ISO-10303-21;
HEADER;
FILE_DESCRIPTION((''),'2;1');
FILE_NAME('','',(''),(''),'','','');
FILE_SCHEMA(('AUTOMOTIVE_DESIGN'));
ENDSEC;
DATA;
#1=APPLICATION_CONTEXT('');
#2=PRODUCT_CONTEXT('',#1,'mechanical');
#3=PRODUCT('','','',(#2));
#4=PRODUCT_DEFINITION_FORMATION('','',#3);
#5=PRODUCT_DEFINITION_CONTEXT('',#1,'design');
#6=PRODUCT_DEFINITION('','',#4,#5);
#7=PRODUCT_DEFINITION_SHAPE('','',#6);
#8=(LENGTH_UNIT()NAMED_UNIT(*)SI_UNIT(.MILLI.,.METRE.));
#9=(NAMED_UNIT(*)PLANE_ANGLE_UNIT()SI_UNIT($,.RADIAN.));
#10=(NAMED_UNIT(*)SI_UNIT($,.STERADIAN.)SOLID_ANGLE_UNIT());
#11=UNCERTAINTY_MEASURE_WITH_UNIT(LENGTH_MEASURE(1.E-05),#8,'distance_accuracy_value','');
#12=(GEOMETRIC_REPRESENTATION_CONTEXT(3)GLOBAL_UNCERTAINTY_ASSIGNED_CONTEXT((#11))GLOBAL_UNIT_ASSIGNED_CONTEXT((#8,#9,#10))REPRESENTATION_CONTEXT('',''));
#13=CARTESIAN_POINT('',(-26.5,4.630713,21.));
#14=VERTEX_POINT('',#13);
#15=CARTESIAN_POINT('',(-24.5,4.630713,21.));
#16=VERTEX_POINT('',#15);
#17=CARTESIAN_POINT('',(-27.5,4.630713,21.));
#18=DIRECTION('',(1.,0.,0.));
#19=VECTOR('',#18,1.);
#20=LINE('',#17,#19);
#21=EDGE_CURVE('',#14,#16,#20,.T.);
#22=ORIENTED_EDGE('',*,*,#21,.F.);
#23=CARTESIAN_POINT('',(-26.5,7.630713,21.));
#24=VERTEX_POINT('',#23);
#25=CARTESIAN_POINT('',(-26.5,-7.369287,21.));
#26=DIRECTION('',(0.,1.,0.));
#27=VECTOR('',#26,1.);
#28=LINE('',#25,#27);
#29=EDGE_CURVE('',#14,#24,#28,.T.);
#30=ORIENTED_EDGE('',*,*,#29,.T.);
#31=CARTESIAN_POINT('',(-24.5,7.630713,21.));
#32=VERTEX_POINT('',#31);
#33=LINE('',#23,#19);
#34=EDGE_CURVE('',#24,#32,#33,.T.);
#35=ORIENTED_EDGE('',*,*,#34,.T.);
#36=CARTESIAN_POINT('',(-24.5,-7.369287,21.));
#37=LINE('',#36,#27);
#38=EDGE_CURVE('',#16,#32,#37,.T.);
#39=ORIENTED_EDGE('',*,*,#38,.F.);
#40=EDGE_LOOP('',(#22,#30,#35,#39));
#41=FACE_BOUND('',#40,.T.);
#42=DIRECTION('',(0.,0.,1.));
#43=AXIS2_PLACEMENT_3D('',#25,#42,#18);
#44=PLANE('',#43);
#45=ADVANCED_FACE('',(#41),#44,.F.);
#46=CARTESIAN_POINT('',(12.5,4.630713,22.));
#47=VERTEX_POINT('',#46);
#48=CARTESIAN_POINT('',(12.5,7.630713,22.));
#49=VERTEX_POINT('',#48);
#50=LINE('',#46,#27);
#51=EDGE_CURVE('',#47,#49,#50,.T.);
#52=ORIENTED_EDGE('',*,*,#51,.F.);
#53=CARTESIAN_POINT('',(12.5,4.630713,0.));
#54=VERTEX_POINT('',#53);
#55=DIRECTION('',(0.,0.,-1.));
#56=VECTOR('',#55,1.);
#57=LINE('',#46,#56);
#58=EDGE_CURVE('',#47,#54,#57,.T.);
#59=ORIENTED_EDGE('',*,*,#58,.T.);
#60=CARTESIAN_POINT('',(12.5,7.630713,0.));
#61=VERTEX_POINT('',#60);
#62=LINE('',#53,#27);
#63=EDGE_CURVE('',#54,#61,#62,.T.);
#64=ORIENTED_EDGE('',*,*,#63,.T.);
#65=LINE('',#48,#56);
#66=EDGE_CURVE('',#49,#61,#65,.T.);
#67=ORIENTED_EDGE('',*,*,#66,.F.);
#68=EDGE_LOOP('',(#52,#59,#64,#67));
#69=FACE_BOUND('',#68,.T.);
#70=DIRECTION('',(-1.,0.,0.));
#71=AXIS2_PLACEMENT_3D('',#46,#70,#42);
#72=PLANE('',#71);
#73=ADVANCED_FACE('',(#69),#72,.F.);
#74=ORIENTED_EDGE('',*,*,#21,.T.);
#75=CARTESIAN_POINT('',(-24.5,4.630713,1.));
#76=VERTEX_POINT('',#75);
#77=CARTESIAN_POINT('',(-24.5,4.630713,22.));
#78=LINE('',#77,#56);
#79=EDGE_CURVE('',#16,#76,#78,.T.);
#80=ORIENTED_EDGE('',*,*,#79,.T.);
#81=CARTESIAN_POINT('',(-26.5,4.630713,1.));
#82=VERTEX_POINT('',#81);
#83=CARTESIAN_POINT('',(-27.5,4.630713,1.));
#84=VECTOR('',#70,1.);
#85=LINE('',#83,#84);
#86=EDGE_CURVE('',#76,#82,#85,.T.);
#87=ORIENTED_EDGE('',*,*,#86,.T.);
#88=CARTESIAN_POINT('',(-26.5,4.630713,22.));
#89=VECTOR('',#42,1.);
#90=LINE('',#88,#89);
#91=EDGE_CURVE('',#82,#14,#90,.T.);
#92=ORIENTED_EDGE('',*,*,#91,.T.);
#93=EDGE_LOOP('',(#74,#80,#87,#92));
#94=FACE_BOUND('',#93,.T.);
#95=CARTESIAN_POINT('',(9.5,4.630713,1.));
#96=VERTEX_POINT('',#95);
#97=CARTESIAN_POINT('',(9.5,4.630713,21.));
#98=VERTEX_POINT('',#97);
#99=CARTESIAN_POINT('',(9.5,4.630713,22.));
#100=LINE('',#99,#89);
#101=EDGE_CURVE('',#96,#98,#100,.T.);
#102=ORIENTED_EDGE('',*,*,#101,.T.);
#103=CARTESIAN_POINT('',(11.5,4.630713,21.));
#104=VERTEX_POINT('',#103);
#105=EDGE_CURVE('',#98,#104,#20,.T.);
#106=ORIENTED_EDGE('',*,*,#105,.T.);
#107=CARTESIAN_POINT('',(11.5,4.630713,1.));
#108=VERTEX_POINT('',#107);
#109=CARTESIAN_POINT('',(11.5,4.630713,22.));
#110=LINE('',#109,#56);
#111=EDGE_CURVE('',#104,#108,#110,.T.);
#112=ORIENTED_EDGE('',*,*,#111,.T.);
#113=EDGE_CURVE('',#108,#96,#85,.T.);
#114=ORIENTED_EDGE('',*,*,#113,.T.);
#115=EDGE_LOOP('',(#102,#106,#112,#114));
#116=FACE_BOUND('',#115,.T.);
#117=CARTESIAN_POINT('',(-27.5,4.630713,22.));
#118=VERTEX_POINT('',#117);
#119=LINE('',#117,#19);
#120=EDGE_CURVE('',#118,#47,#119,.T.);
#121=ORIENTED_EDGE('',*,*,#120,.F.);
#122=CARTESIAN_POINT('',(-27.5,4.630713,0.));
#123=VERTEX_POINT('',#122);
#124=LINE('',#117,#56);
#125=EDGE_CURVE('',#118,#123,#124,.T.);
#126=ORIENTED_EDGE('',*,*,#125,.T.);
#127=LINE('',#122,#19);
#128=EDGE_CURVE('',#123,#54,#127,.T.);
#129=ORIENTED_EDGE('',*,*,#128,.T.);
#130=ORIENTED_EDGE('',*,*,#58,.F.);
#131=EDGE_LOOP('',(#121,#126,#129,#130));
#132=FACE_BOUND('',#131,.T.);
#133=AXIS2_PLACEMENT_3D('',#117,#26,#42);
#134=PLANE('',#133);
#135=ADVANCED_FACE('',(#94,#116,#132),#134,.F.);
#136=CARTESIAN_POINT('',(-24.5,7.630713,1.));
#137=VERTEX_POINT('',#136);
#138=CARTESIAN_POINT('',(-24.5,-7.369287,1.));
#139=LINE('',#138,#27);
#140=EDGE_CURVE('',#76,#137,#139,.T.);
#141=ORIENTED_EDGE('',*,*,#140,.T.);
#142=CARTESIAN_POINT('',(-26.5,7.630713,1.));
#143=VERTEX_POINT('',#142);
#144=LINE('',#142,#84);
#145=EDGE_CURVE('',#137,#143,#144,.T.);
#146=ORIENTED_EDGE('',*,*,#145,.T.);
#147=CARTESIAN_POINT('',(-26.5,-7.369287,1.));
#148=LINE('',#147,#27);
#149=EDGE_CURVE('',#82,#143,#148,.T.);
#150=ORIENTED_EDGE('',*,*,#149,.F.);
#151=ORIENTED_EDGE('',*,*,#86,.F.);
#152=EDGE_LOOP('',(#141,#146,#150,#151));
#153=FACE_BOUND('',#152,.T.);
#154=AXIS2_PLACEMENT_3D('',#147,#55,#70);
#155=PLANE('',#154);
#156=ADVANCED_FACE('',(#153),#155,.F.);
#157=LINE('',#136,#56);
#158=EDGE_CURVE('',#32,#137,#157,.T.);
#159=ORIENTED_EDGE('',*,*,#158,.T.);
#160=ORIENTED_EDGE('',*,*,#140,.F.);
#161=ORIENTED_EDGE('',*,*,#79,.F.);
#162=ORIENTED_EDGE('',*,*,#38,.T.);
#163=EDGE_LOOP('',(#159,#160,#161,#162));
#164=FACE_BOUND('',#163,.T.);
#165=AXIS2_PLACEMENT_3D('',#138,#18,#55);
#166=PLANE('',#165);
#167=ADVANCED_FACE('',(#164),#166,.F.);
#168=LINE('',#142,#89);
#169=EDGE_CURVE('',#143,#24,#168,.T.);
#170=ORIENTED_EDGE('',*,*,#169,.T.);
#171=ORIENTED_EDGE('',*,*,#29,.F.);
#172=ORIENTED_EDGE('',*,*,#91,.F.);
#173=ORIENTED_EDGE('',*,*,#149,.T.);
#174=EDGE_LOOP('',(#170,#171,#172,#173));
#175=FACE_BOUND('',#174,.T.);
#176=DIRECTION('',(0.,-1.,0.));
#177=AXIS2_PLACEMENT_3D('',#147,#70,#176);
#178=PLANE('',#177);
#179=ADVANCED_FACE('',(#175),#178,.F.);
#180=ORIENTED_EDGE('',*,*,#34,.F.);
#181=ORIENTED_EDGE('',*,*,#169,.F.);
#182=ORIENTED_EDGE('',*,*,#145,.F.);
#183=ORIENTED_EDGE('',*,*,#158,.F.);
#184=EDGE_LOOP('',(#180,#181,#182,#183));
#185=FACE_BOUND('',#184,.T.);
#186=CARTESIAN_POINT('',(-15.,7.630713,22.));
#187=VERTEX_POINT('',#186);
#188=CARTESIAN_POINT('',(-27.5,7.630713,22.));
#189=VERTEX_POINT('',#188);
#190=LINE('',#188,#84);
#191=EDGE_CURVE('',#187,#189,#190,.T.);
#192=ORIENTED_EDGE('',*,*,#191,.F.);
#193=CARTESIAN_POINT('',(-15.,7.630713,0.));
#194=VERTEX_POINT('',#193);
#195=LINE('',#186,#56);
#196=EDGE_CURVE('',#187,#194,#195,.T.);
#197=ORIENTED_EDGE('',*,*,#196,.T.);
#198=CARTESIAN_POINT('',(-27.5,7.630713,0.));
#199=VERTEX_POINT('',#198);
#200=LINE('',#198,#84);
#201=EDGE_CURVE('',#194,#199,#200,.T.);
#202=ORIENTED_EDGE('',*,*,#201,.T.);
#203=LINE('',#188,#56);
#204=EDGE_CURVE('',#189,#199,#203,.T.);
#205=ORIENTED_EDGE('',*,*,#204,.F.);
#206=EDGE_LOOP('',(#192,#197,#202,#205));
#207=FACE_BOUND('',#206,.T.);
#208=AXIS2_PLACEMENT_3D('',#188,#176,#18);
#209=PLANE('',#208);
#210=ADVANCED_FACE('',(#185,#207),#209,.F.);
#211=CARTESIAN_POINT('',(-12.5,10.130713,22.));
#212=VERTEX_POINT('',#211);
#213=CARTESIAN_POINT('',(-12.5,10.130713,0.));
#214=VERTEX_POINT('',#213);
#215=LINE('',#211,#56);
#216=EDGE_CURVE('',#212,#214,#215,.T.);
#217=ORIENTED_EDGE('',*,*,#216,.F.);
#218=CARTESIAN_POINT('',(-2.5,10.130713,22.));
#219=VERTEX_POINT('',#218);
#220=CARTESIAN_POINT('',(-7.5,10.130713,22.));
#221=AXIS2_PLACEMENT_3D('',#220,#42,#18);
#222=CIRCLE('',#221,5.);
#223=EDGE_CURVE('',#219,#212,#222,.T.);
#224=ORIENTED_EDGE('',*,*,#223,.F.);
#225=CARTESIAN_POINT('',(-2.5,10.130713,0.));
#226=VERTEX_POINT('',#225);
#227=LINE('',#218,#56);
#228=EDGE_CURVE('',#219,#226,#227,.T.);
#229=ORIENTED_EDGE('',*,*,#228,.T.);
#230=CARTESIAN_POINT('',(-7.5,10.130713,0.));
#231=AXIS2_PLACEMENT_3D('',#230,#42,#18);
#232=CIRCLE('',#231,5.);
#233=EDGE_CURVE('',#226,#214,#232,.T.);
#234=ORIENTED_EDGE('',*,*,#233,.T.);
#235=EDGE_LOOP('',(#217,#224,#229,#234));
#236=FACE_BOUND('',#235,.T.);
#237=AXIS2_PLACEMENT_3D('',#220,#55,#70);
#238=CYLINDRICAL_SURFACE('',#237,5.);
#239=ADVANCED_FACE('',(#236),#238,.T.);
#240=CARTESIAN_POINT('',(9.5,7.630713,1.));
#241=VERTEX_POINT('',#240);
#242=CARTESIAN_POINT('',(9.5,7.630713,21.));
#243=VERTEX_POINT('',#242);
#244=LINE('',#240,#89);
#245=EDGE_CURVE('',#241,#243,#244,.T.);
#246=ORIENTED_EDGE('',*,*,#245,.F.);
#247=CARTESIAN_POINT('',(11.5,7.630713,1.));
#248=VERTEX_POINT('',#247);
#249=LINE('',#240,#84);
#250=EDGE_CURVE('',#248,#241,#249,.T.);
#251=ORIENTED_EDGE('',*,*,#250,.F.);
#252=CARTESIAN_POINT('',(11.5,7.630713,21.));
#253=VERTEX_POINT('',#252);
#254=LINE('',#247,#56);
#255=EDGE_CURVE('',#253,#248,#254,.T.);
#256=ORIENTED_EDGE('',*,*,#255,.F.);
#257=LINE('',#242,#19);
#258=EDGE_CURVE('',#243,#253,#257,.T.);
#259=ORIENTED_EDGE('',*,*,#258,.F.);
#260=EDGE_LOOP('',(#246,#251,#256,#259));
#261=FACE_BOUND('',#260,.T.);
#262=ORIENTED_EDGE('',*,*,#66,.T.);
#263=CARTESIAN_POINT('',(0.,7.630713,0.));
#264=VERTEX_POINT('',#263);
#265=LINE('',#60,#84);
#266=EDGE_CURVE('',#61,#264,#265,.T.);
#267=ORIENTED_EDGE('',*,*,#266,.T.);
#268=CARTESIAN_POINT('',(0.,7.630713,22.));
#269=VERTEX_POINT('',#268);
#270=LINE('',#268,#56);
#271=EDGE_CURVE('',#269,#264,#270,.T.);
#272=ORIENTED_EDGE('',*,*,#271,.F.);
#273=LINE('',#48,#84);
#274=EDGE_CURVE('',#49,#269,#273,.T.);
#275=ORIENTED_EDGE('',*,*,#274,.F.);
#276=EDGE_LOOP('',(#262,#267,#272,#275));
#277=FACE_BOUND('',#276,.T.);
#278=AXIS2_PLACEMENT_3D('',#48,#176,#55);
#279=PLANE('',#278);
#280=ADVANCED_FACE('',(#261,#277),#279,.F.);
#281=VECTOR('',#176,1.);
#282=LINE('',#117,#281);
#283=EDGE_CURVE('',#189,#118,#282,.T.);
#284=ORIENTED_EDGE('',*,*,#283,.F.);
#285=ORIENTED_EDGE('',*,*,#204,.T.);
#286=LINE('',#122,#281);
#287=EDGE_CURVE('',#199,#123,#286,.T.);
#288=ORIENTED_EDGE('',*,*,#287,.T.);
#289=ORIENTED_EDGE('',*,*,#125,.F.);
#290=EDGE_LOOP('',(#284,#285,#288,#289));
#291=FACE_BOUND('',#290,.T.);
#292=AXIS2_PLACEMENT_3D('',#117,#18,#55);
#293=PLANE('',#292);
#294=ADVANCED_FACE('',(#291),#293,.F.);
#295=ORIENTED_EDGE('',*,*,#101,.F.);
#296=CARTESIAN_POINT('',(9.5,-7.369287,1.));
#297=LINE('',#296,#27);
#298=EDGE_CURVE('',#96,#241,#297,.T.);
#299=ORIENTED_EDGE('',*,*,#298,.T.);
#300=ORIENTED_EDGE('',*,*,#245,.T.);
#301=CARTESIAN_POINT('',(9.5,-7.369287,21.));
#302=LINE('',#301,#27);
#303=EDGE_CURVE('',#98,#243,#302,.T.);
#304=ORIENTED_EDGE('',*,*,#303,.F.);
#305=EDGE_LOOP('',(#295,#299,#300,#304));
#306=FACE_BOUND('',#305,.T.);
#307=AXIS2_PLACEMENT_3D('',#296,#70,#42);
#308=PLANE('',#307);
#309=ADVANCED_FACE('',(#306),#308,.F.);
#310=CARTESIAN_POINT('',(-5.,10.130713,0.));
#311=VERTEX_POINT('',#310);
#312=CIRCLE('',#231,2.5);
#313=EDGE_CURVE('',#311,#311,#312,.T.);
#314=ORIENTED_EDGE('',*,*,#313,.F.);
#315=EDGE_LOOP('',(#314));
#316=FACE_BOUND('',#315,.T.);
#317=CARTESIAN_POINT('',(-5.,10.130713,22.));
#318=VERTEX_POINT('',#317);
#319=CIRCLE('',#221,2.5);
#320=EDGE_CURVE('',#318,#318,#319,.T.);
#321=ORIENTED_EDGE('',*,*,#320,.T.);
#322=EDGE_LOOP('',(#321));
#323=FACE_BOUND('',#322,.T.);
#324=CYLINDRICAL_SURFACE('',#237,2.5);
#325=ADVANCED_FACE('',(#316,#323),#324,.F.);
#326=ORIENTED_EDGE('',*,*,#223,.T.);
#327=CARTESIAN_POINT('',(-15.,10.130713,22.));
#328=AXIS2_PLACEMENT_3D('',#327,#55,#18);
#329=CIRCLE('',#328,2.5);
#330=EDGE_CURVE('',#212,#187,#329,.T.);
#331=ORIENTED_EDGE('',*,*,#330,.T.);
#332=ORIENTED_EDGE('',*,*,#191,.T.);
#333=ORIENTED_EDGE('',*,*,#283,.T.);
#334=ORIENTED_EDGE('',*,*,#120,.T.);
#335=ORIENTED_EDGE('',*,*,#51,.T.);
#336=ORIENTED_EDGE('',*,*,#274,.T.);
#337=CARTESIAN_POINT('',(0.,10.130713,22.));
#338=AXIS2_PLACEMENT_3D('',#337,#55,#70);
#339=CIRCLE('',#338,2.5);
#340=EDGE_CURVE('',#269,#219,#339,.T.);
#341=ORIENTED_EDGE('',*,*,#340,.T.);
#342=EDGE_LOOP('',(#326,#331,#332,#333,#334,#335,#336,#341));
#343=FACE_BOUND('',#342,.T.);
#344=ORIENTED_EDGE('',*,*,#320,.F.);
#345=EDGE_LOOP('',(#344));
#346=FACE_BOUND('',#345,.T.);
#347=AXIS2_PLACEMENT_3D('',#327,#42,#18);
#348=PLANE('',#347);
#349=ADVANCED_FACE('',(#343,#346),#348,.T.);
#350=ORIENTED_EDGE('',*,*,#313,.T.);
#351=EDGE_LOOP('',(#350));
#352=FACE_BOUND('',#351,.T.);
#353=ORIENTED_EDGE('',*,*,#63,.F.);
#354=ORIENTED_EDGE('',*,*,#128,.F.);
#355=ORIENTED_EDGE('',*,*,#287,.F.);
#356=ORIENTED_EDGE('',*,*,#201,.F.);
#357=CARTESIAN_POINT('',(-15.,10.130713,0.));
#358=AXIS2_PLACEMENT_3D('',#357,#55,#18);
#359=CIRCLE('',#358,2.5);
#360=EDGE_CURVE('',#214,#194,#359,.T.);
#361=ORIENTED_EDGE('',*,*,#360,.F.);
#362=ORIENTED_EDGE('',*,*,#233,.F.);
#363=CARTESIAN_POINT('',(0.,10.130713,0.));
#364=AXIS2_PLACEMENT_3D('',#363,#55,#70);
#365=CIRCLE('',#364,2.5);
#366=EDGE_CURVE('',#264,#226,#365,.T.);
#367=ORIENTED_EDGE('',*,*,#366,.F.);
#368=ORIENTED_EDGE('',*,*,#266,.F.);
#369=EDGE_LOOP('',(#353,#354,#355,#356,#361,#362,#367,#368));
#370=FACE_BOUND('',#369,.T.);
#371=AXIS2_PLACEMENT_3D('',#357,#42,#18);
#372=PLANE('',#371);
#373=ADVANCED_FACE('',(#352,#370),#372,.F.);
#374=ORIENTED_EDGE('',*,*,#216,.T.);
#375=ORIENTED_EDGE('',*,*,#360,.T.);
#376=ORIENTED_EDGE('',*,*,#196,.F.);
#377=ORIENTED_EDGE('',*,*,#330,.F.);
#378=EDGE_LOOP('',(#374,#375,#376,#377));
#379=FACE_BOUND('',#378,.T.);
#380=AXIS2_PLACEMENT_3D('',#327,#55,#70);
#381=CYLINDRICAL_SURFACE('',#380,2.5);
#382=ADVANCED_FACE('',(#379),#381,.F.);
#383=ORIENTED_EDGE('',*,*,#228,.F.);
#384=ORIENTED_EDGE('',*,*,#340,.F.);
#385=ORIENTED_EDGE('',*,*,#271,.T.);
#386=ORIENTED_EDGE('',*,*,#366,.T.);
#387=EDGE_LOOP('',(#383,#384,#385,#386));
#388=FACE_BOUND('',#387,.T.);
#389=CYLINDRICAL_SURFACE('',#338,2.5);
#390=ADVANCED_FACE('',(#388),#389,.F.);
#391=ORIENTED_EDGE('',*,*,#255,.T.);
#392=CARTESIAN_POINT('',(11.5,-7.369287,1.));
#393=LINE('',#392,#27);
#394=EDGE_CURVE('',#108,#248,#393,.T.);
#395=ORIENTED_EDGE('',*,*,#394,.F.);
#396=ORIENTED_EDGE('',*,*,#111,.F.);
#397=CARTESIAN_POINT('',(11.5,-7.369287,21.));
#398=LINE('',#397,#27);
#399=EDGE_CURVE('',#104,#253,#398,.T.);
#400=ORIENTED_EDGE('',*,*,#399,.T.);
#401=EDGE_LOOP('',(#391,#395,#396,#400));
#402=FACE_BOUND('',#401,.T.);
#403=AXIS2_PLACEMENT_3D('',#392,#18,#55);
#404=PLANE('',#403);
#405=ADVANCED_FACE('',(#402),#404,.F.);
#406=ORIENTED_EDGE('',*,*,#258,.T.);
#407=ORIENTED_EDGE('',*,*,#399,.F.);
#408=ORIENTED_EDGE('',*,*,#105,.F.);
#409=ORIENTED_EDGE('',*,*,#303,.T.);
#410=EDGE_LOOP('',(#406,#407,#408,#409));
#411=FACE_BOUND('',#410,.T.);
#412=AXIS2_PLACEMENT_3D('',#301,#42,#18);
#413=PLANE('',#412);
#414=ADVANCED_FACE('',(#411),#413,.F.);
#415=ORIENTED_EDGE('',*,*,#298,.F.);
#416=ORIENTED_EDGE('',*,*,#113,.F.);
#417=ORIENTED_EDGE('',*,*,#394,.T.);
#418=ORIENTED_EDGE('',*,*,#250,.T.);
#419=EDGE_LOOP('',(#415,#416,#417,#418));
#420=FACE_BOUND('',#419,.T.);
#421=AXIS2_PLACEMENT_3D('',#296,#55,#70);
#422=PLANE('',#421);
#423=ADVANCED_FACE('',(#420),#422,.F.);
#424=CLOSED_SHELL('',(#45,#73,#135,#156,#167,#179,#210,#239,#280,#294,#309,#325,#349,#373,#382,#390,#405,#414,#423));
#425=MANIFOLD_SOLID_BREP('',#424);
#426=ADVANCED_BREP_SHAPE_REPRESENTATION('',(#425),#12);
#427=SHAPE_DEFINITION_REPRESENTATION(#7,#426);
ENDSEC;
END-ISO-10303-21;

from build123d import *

# Parameters (mm, degrees)
SKETCH1_R           = 2.5
BOSS_EXTRUDE1_DEPTH = 22
SKETCH3_W           = 2
SKETCH3_H           = 20
CUT_EXTRUDE1_DEPTH  = 15


with BuildPart() as part:
    # Sketch1 → Boss-Extrude1 (new body)
    with BuildSketch(Plane.XY):
        with BuildLine():
            Line((-27.5, 4.630713194), (12.5, 4.630713194))
            Line((12.5, 4.630713194), (12.5, 7.630713194))
            Line((12.5, 7.630713194), (0, 7.630713194))
            ThreePointArc((0, 7.630713194), (-1.767766953, 8.362946241), (-2.5, 10.130713194))
            ThreePointArc((-2.5, 10.130713194), (-7.5, 15.130713194), (-12.5, 10.130713194))
            ThreePointArc((-12.5, 10.130713194), (-13.232233047, 8.362946241), (-15, 7.630713194))
            Line((-15, 7.630713194), (-27.5, 7.630713194))
            Line((-27.5, 7.630713194), (-27.5, 4.630713194))
        make_face()
        with Locations((-7.5, 10.130713194)):
            Circle(SKETCH1_R, mode=Mode.SUBTRACT)
    extrude(amount=BOSS_EXTRUDE1_DEPTH)

    # Sketch3 → Cut-Extrude1 (cut)
    with BuildSketch(Plane(origin=(0, 7.630713194, 0), x_dir=(1, 0, 0), z_dir=(0, 1, 0))):
        with Locations((-25.5, -11)):
            Rectangle(SKETCH3_W, SKETCH3_H)
        with Locations((10.5, -11)):
            Rectangle(SKETCH3_W, SKETCH3_H)
    extrude(amount=-CUT_EXTRUDE1_DEPTH, mode=Mode.SUBTRACT)


solid = part.part
